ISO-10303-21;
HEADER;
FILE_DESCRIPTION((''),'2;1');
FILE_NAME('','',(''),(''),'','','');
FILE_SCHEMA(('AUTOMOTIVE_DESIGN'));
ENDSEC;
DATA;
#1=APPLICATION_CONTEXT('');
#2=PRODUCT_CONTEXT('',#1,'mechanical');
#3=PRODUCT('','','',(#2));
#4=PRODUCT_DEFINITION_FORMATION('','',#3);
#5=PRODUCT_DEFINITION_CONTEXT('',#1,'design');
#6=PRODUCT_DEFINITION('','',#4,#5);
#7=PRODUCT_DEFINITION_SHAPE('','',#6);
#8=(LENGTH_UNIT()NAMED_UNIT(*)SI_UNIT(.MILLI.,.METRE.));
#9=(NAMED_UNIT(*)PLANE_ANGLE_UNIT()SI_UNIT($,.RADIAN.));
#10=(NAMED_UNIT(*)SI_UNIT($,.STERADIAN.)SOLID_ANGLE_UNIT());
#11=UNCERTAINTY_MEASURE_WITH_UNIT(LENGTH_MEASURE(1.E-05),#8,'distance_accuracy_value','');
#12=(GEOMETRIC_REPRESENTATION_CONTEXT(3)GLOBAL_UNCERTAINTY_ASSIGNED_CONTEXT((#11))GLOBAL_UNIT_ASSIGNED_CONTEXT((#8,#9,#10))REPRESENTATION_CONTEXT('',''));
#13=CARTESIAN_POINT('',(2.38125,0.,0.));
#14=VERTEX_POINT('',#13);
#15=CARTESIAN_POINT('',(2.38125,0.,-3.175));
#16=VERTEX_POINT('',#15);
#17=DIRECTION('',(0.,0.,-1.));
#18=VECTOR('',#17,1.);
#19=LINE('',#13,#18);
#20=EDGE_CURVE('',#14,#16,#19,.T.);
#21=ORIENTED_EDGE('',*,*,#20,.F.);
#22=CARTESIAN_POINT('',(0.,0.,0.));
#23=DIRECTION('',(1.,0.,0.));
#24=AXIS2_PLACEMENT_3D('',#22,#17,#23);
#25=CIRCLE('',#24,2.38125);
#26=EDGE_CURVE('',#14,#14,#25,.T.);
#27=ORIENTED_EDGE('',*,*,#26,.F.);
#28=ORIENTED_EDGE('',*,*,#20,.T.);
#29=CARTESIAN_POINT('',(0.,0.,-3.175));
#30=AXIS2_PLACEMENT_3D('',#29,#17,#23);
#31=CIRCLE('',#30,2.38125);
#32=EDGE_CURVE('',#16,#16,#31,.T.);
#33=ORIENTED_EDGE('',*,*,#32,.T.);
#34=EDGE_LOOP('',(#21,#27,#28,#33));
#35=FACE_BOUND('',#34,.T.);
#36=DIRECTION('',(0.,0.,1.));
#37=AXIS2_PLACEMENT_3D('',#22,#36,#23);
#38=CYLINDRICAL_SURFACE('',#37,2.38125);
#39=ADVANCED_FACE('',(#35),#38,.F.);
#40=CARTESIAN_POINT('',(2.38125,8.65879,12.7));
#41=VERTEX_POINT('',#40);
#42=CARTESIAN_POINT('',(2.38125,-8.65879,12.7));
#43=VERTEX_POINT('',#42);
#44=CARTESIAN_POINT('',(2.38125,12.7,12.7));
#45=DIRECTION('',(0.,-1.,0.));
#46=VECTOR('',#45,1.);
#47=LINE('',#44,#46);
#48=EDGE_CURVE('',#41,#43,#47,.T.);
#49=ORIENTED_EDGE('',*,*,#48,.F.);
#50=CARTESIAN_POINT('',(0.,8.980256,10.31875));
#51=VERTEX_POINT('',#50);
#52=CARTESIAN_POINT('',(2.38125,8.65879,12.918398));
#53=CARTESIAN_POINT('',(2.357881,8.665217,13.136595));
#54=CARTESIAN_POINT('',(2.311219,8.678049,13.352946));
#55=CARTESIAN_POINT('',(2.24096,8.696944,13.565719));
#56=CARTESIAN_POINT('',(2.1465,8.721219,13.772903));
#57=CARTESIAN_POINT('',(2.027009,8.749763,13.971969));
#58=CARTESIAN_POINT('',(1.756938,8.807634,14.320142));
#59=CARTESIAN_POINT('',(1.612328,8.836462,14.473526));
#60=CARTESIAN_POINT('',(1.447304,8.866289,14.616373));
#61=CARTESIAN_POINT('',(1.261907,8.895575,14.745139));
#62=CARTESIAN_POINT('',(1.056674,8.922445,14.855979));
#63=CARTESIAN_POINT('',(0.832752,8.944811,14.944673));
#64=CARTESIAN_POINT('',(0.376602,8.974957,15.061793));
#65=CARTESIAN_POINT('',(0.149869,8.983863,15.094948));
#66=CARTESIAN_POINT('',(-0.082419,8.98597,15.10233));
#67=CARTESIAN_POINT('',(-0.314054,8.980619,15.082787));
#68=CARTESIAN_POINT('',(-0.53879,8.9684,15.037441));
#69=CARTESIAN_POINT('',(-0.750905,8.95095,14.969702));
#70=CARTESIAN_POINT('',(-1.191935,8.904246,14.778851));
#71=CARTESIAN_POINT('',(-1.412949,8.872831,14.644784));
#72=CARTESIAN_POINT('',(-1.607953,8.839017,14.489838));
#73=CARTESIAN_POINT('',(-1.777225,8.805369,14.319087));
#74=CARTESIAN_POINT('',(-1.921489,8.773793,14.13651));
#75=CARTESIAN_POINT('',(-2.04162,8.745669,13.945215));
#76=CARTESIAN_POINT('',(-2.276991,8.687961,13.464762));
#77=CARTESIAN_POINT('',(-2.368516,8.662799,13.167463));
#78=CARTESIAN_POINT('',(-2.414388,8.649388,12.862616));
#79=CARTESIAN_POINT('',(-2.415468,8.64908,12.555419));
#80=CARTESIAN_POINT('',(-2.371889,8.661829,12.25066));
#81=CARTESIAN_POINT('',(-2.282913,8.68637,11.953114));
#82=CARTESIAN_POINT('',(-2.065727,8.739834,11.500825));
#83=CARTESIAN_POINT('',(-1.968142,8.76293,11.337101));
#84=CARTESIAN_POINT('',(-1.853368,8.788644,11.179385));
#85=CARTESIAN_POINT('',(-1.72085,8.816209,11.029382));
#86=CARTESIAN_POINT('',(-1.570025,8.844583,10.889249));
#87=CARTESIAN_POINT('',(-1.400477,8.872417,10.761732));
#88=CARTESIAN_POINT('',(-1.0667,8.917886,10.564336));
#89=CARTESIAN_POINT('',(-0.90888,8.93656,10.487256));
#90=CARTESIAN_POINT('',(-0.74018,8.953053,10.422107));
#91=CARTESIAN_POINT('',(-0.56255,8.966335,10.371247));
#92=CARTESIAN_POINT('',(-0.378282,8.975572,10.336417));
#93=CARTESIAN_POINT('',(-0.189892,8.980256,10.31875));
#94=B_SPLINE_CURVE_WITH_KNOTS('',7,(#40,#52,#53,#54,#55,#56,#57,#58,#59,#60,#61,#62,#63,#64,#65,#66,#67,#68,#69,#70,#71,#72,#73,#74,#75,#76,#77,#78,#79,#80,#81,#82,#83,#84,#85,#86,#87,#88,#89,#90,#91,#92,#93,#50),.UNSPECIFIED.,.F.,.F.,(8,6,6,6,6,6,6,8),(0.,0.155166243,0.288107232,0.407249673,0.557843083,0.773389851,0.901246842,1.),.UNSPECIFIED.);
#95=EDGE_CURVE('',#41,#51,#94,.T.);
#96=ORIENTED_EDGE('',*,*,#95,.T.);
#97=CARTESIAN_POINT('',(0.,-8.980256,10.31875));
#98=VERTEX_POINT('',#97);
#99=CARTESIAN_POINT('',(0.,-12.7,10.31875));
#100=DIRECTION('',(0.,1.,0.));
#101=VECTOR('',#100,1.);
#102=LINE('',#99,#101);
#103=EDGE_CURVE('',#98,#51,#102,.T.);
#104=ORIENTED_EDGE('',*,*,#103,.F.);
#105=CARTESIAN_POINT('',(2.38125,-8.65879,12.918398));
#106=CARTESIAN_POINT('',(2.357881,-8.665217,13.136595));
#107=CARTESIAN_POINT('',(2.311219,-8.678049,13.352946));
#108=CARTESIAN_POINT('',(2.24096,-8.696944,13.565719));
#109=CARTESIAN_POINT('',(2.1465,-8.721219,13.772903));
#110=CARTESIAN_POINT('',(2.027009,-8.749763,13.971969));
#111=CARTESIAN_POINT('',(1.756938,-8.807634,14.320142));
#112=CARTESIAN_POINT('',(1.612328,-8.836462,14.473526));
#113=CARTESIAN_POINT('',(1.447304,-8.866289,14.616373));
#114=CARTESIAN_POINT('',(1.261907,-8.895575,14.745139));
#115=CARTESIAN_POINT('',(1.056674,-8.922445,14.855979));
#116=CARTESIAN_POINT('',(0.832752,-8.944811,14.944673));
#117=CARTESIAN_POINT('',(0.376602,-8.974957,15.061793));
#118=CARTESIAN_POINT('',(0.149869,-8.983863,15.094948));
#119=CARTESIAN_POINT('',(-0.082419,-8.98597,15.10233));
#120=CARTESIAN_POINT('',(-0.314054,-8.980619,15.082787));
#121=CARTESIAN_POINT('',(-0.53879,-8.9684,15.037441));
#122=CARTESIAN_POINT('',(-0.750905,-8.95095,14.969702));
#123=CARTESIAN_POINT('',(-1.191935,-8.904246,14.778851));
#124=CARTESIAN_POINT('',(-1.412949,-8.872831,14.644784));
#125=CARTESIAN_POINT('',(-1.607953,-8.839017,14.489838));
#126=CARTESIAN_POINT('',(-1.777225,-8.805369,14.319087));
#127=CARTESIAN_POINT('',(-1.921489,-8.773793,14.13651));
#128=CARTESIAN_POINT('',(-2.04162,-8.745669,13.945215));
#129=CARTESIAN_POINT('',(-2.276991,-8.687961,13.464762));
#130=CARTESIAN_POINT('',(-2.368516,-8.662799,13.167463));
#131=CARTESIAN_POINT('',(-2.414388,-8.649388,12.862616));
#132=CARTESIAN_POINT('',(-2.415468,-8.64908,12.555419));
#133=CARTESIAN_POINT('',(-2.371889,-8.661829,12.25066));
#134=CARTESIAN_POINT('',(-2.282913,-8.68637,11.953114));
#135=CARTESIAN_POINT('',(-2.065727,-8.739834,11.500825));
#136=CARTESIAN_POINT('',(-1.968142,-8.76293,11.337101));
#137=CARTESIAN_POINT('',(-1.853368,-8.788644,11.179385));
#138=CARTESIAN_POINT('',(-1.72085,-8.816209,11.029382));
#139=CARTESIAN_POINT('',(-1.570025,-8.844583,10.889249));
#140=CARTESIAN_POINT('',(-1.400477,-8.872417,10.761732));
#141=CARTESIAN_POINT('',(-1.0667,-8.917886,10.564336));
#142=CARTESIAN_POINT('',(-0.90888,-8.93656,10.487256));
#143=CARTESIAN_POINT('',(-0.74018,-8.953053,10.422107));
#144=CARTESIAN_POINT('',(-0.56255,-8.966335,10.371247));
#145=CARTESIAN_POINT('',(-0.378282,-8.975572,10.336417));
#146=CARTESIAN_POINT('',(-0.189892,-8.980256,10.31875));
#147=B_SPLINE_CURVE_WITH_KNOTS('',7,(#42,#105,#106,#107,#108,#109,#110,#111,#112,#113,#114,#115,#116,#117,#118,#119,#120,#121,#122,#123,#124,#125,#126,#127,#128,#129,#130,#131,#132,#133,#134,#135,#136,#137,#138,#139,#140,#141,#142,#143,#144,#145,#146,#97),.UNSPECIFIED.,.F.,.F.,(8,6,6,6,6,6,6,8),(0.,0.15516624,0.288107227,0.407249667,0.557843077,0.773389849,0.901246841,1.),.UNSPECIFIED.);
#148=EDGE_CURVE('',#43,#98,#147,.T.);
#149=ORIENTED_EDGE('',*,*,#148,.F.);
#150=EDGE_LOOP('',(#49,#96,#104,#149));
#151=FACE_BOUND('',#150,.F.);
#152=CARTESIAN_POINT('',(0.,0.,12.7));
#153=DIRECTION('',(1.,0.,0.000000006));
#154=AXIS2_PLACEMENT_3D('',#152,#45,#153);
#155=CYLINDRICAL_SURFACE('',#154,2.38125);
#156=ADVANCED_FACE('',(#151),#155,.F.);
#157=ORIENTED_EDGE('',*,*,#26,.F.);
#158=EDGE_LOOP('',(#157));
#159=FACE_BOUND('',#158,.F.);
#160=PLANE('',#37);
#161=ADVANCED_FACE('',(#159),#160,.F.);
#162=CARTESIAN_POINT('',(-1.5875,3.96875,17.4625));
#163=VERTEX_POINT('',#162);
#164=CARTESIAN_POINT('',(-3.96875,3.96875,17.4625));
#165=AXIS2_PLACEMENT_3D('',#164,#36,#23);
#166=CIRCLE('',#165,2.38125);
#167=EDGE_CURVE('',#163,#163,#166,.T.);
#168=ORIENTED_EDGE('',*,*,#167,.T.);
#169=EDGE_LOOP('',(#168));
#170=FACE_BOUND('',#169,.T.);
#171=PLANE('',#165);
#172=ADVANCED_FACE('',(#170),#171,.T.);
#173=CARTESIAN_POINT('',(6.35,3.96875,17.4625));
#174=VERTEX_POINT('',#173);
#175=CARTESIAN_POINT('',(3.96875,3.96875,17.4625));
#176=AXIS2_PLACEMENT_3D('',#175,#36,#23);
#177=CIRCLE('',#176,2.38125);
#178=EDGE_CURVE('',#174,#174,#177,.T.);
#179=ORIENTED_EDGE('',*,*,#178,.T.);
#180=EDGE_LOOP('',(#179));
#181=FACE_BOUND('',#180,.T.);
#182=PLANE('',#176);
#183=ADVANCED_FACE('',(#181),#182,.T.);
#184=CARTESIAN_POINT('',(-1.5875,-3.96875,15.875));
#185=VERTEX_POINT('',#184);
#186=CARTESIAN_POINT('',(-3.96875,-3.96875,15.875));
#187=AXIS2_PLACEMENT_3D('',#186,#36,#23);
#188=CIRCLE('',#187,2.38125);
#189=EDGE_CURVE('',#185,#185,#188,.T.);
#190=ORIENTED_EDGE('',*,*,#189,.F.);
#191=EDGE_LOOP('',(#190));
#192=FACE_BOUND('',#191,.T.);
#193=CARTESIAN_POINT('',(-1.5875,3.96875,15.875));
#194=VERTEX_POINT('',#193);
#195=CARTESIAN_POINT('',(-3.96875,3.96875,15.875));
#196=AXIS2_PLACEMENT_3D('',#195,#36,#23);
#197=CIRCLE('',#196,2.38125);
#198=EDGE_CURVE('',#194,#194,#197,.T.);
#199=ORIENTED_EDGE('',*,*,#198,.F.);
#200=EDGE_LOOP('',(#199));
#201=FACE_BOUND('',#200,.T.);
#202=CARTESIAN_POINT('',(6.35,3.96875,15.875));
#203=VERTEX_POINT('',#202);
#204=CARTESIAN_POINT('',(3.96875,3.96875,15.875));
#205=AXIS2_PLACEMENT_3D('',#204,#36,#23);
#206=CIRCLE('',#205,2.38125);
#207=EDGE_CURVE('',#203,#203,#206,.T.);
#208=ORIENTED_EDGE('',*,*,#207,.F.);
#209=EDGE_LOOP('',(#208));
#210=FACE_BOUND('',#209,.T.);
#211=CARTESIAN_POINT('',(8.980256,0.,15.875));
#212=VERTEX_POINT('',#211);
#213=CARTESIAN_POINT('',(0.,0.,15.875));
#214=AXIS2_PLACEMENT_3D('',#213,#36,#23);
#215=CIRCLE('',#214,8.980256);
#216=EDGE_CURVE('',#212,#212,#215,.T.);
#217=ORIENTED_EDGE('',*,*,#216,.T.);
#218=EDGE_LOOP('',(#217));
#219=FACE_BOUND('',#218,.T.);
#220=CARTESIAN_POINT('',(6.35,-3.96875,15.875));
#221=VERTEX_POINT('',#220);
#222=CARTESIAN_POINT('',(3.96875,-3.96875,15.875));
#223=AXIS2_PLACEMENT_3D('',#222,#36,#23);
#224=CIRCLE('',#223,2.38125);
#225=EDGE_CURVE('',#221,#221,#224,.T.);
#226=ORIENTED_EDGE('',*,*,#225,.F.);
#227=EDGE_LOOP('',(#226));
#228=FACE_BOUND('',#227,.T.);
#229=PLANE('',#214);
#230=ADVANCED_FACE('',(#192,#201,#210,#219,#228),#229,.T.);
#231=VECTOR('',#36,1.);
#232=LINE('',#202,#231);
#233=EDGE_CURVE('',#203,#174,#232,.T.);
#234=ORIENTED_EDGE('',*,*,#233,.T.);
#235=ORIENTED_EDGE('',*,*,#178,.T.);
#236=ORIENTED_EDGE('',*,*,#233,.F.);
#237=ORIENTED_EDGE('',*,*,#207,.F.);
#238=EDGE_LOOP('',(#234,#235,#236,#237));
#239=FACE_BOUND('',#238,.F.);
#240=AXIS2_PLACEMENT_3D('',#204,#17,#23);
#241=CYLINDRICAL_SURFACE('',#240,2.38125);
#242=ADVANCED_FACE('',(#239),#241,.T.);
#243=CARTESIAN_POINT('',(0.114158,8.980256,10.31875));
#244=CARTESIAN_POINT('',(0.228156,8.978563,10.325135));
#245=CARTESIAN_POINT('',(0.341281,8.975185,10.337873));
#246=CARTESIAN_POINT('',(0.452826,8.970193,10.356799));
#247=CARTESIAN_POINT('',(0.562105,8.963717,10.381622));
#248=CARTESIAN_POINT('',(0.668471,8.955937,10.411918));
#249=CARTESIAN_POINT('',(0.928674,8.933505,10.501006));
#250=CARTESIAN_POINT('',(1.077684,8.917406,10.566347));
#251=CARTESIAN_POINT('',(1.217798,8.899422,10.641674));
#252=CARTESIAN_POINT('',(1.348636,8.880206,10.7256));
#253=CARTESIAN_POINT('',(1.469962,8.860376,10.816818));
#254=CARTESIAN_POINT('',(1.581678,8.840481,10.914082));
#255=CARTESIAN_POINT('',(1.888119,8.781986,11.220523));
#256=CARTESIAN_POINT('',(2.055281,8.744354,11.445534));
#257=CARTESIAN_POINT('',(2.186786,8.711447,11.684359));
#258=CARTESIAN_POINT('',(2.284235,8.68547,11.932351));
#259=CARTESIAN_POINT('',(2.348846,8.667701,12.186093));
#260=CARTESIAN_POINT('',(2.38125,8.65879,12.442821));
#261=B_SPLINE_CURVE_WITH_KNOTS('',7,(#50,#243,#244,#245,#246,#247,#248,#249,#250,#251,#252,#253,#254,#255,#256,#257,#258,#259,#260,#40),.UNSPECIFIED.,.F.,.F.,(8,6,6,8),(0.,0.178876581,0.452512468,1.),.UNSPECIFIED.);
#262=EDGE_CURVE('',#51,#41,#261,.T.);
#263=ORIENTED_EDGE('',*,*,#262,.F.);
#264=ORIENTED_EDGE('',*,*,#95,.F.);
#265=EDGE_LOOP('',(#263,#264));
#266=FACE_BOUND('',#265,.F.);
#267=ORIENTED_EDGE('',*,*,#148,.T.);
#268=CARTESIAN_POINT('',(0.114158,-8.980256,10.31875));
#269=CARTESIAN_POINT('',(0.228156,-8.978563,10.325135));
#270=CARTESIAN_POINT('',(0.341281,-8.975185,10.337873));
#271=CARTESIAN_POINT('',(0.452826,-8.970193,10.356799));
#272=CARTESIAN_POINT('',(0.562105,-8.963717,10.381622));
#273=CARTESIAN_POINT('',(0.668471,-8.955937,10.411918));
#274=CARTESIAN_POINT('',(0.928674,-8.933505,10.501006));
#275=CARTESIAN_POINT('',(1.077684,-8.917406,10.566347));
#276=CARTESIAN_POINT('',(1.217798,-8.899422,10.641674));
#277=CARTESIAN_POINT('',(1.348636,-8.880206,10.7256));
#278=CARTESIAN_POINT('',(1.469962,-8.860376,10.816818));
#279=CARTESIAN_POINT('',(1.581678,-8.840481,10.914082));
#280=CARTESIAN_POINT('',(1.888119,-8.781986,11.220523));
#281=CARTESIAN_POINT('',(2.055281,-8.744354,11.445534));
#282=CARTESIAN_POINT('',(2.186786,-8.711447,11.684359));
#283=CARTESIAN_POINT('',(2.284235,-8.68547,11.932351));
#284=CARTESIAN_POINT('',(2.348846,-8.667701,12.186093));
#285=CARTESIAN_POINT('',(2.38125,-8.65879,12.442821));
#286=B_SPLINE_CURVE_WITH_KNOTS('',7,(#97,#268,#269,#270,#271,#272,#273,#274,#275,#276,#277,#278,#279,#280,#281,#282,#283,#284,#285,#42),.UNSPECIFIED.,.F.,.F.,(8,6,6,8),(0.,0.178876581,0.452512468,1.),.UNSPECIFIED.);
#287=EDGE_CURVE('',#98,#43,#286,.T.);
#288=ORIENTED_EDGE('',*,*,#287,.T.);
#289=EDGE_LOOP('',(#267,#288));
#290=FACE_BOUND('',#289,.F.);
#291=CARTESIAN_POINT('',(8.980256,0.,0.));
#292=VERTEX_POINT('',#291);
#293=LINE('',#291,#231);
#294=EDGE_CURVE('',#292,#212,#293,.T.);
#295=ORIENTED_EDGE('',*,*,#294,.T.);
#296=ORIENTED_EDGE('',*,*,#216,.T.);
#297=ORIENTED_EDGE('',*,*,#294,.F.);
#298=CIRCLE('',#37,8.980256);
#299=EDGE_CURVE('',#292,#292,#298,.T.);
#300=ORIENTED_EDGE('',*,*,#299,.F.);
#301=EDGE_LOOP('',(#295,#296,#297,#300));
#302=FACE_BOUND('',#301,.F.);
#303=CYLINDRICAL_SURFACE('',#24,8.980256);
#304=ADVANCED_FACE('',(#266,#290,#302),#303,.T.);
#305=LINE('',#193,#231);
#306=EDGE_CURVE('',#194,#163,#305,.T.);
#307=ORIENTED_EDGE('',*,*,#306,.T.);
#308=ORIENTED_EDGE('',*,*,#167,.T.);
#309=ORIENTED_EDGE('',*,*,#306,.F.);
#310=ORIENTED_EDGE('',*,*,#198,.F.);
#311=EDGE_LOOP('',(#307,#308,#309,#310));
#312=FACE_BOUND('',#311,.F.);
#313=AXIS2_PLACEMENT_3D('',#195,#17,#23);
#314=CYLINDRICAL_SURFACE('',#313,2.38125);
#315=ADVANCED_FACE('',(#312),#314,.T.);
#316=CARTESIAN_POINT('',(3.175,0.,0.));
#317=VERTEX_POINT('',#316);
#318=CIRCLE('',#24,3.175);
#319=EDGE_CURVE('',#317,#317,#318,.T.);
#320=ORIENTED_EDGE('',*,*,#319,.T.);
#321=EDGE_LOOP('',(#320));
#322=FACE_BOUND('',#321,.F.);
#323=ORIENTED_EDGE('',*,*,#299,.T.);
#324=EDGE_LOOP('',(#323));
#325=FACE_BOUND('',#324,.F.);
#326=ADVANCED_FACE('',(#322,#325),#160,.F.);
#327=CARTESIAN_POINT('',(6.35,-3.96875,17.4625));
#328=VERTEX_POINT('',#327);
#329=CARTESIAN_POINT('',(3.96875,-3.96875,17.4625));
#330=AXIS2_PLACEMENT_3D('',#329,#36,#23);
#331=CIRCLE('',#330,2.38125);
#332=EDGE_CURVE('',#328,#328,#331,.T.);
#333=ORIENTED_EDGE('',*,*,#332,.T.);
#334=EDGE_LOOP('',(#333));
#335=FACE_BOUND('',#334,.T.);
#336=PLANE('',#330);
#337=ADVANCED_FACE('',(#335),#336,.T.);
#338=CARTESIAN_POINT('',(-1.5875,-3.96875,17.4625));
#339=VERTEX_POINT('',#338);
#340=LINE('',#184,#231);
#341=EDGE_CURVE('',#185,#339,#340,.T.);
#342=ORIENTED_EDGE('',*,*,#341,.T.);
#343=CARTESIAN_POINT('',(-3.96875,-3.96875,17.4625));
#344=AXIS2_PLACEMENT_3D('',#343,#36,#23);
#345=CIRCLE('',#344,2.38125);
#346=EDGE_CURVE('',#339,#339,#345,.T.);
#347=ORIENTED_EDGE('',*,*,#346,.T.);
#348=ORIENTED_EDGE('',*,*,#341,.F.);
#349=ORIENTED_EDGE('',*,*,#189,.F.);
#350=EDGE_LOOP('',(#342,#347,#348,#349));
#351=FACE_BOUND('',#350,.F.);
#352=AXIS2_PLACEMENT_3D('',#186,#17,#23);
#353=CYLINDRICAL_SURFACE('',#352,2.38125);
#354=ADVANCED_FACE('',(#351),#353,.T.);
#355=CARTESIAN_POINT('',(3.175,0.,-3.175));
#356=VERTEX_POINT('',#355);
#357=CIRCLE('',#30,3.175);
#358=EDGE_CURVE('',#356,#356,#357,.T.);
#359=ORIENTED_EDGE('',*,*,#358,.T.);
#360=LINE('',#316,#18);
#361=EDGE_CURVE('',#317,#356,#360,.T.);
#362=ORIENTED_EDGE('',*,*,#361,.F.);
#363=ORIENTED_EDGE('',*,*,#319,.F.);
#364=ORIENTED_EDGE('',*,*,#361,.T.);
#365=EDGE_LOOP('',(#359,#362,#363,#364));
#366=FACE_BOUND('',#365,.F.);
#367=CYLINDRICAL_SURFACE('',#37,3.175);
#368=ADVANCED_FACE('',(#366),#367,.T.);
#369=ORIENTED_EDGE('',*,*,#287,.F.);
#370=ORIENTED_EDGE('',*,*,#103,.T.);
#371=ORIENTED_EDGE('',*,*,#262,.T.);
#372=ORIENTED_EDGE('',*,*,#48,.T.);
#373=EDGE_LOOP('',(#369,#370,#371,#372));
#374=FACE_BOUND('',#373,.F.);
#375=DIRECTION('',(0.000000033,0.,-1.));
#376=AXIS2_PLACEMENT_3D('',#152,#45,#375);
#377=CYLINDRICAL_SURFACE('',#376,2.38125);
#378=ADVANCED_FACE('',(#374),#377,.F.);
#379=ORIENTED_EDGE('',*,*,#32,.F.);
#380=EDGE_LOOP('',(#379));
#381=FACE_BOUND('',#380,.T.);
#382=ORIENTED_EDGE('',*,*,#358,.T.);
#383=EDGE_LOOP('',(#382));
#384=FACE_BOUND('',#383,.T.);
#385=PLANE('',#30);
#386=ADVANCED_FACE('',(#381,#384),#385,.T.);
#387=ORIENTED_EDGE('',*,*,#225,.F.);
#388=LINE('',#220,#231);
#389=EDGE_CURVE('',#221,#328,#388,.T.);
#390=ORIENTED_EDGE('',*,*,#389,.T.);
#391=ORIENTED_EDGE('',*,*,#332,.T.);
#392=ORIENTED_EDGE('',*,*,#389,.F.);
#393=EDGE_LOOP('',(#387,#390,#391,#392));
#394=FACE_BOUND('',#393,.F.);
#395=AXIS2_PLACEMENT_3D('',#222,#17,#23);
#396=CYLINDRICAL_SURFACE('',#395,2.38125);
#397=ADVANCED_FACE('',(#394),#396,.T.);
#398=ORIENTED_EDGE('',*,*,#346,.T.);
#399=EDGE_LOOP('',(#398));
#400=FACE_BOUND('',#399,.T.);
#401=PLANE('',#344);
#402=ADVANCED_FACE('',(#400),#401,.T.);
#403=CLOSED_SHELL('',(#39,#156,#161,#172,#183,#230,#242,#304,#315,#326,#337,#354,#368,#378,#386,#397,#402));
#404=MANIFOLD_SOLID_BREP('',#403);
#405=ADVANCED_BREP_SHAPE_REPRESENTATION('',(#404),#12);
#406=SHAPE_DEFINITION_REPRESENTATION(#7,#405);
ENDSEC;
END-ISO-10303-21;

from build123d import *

# Parameters (mm, degrees)
F0_R     = 8.980256
F1_DEPTH = 15.875
F2_R     = 3.175
F2_R_2   = 2.38125
F3_DEPTH = 3.175
F4_R     = 2.38125
F5_DEPTH = 1.5875
F7_DEPTH = 12.7


with BuildPart() as f1:
    # F0 (on Top) → F1 (new body)
    with BuildSketch(Plane.XY):
        Circle(F0_R)
    extrude(amount=F1_DEPTH)

    # F2 (on face) → F3 (join)
    with BuildSketch(Plane(origin=(0, 0, 0), x_dir=(1, 0, 0), z_dir=(0, 0, -1))):
        Circle(F2_R)
        Circle(F2_R_2, mode=Mode.SUBTRACT)
    extrude(amount=F3_DEPTH)

    # F4 (on face) → F5 (join)
    with BuildSketch(Plane.XY.offset(15.875)):
        with Locations((-3.96875, 3.96875)):
            Circle(F4_R)
        with Locations((3.96875, 3.96875)):
            Circle(F4_R)
        with Locations((3.96875, -3.96875)):
            Circle(F4_R)
        with Locations((-3.96875, -3.96875)):
            Circle(F4_R)
    extrude(amount=F5_DEPTH)

    # F6 (on Front) → F7 (cut, symmetric)
    with BuildSketch(Plane.XZ):
        with BuildLine():
            ThreePointArc((0, 10.31875), (1.683798, 11.016202), (2.38125, 12.7))
            ThreePointArc((2.38125, 12.7), (-1.683798, 14.383798), (0, 10.31875))
        make_face()
    extrude(amount=F7_DEPTH, both=True, mode=Mode.SUBTRACT)


solid = f1.part
